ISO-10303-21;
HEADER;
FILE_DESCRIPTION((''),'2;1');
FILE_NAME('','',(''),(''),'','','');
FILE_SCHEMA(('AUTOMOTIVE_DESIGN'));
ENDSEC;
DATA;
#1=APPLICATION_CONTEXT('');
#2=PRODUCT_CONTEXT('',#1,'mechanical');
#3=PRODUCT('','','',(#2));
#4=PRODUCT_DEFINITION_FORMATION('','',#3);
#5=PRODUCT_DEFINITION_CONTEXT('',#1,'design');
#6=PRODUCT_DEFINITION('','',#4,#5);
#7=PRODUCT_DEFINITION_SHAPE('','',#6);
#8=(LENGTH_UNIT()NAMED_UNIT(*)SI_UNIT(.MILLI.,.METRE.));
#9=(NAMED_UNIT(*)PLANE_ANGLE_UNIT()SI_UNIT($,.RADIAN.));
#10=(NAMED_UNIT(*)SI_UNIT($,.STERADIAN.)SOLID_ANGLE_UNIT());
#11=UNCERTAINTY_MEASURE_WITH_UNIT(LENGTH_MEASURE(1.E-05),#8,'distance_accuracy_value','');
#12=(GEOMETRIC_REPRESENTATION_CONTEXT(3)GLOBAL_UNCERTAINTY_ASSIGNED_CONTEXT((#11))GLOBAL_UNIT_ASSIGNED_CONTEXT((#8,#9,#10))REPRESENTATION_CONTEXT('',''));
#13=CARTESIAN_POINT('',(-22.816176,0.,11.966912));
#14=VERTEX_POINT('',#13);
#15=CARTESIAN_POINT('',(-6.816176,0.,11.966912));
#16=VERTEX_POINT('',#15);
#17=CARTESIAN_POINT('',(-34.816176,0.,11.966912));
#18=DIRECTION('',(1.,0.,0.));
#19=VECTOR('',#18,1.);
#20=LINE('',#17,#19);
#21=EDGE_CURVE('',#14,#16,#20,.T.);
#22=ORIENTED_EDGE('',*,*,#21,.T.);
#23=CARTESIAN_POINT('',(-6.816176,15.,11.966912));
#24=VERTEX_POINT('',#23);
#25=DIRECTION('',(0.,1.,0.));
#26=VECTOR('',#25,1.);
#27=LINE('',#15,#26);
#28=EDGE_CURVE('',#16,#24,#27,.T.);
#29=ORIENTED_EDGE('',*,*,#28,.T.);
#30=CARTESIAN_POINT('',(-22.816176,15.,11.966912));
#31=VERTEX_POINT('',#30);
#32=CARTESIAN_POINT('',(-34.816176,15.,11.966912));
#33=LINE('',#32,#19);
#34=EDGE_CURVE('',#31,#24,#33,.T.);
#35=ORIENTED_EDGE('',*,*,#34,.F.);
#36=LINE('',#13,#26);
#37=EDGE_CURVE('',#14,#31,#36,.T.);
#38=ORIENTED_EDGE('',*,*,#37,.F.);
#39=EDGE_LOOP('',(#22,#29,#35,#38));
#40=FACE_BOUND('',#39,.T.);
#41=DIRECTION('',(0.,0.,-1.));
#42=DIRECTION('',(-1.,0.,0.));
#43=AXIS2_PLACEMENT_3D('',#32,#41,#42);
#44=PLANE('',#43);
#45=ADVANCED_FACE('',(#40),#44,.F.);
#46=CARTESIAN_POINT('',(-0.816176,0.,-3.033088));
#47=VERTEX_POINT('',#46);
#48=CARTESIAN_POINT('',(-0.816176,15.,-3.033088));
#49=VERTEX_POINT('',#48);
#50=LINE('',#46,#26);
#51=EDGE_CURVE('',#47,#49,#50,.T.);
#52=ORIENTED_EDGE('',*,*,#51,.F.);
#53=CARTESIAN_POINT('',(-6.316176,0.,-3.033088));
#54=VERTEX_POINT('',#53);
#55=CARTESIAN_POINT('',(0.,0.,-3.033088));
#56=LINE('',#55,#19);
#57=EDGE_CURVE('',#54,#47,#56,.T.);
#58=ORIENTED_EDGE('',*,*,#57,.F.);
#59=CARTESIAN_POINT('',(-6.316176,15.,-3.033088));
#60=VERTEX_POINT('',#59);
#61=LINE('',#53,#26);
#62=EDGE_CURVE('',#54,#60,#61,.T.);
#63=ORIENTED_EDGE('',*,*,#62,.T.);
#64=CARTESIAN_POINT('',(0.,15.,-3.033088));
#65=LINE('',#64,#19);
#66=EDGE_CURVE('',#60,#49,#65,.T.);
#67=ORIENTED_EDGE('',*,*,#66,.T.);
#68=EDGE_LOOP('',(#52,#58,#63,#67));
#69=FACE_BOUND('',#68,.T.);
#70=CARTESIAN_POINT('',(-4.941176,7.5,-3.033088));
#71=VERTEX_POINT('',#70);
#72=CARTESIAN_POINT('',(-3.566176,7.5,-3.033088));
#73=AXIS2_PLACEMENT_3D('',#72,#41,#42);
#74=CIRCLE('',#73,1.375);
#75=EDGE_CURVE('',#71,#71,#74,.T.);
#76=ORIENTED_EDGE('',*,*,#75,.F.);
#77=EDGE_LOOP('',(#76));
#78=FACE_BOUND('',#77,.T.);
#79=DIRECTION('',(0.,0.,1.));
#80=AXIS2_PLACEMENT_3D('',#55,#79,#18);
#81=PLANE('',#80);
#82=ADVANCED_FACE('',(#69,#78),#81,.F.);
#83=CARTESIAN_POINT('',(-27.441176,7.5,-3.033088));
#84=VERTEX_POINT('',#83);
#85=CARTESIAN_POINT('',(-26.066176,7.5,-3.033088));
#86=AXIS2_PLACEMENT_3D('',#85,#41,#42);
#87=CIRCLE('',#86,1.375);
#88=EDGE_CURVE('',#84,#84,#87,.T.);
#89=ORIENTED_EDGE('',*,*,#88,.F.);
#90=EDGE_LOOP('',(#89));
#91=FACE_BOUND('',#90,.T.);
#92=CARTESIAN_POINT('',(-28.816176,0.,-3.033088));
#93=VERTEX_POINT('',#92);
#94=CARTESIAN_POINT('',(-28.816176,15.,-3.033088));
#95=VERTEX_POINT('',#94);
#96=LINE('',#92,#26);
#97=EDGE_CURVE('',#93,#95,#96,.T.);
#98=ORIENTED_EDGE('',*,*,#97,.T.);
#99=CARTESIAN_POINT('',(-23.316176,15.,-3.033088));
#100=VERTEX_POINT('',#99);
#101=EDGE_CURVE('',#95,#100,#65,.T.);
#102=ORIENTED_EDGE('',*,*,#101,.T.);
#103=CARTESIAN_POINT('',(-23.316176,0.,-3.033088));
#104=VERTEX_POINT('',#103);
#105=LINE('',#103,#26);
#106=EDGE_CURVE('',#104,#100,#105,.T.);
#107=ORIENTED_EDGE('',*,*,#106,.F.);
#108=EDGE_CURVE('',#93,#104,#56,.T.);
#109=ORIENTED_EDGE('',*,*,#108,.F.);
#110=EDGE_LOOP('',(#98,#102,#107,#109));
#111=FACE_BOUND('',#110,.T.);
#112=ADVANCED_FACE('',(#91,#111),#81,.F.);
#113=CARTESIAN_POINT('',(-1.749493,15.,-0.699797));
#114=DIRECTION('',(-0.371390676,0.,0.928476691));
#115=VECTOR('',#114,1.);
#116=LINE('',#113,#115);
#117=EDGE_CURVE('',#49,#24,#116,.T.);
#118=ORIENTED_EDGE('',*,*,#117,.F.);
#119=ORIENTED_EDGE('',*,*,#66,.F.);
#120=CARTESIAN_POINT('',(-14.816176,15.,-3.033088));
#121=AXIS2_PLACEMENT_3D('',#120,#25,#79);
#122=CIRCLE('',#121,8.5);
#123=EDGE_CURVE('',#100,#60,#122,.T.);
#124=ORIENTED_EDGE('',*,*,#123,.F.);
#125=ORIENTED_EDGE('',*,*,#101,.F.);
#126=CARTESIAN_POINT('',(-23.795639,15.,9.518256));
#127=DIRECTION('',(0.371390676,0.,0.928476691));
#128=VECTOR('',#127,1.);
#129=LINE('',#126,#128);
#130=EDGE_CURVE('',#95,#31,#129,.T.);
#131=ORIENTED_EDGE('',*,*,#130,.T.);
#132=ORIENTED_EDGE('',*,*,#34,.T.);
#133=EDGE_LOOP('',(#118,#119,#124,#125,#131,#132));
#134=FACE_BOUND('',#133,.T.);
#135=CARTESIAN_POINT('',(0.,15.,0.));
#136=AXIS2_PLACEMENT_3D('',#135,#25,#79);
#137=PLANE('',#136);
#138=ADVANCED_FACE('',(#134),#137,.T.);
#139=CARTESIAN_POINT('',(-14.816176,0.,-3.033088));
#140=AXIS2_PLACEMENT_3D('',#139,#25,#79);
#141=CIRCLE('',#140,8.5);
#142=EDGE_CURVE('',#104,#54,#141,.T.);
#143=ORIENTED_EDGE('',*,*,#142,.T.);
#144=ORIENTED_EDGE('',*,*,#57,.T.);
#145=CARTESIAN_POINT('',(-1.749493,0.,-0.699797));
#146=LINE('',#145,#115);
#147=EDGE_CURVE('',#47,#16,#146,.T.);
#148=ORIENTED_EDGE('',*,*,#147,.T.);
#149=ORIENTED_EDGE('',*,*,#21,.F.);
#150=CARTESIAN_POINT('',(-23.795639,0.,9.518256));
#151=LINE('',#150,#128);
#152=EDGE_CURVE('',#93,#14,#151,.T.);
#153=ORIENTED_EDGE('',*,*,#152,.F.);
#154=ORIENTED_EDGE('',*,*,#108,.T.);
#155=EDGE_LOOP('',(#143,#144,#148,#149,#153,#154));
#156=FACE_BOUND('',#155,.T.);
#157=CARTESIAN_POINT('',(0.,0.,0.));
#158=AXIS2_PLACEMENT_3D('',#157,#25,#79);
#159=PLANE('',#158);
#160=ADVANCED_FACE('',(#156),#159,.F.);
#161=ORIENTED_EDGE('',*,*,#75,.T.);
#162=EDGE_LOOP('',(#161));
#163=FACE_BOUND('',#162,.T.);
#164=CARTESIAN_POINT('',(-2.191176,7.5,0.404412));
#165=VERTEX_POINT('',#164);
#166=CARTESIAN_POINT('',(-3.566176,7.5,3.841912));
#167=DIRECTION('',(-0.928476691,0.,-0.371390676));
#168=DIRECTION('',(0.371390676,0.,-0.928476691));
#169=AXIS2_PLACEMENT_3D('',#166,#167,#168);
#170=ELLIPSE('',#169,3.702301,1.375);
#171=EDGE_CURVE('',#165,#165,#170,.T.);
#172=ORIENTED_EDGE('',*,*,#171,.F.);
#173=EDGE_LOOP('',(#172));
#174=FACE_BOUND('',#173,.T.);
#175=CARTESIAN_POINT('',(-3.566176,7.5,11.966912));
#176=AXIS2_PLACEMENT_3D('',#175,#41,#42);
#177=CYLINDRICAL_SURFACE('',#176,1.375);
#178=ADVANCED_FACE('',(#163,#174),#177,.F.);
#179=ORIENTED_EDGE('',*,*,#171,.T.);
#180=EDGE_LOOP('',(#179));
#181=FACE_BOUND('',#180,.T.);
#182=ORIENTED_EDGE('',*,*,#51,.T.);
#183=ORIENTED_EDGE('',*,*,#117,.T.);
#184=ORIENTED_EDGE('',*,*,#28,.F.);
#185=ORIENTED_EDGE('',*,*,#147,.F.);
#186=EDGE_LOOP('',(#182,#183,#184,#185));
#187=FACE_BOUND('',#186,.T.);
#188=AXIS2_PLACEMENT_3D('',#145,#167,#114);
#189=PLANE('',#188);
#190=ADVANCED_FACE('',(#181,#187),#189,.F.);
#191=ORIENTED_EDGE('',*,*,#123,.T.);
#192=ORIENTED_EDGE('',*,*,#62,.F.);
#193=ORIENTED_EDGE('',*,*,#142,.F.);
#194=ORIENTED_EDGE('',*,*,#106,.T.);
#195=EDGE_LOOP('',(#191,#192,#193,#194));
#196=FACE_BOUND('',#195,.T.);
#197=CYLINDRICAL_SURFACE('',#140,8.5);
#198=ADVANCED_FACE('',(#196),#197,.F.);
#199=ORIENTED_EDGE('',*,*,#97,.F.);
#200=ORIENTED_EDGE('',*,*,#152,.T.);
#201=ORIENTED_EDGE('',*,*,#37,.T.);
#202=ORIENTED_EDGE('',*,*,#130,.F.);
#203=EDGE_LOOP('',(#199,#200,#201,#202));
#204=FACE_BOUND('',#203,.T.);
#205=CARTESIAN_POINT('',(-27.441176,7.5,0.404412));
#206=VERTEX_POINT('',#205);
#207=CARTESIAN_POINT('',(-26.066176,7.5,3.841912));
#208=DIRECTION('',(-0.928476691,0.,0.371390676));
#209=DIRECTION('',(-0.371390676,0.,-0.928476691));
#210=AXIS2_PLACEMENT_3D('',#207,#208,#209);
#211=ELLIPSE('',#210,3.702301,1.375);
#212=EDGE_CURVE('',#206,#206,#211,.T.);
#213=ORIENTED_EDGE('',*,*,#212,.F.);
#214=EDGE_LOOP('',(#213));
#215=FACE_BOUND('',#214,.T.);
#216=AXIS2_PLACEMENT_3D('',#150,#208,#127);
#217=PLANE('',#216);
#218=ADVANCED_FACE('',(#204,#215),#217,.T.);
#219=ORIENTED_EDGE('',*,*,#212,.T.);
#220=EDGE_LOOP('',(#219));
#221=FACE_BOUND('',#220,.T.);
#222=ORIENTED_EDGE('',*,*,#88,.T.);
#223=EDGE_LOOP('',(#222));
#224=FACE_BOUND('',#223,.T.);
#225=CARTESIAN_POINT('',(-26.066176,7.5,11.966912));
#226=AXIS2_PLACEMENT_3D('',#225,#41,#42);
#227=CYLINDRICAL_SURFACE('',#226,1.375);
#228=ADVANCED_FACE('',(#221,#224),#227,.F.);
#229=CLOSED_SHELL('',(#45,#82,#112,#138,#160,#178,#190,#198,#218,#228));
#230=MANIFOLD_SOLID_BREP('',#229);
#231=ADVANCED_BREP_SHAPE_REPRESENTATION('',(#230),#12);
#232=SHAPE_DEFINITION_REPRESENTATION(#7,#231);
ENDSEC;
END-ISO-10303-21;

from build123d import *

# Parameters (mm, degrees)
SKETCH1_W           = 40
SKETCH1_H           = 30
BOSS_EXTRUDE1_DEPTH = 15
CUT_EXTRUDE1_DEPTH  = 15
SKETCH3_R           = 1.375
CUT_EXTRUDE2_DEPTH  = 15


with BuildPart() as part:
    # Sketch1 → Boss-Extrude1 (new body)
    with BuildSketch(Plane(origin=(0, 0, 0), x_dir=(1, 0, 0), z_dir=(0, 1, 0))):
        with Locations((-14.816176471, 3.033088235)):
            Rectangle(SKETCH1_W, SKETCH1_H)
    extrude(amount=BOSS_EXTRUDE1_DEPTH)

    # Sketch2 → Cut-Extrude1 (cut)
    with BuildSketch(Plane(origin=(0, 15, 0), x_dir=(1, 0, 0), z_dir=(0, 1, 0))):
        Polygon((-28.816176471, 3.033088235), (-28.816176471, 18.033088235), (-34.816176471, 18.033088235), align=None)
        with BuildLine():
            Line((-0.816176471, 18.033088235), (-28.816176471, 18.033088235))
            Line((-28.816176471, 18.033088235), (-28.816176471, 3.033088235))
            Line((-28.816176471, 3.033088235), (-23.316176471, 3.033088235))
            ThreePointArc((-23.316176471, 3.033088235), (-14.816176471, 11.533088235), (-6.316176471, 3.033088235))
            Line((-6.316176471, 3.033088235), (-0.816176471, 3.033088235))
            Line((-0.816176471, 3.033088235), (-0.816176471, 18.033088235))
        make_face()
        Polygon((5.183823529, 18.033088235), (-0.816176471, 18.033088235), (-0.816176471, 3.033088235), align=None)
        Polygon((5.183823529, 18.033088235), (-0.816176471, 3.033088235), (-0.816176471, -11.966911765), (5.183823529, -11.966911765), align=None)
        Polygon((-0.816176471, -11.966911765), (-0.816176471, 3.033088235), (-6.816176471, -11.966911765), align=None)
        Polygon((-22.816176471, -11.966911765), (-28.816176471, 3.033088235), (-28.816176471, -11.966911765), align=None)
        Polygon((-28.816176471, -11.966911765), (-28.816176471, 3.033088235), (-34.816176471, 18.033088235), (-34.816176471, -11.966911765), align=None)
        with BuildLine():
            ThreePointArc((-6.316176471, 3.033088235), (-14.816176471, 11.533088235), (-23.316176471, 3.033088235))
            Line((-23.316176471, 3.033088235), (-6.316176471, 3.033088235))
        make_face()
        with BuildLine():
            Line((-6.316176471, 3.033088235), (-23.316176471, 3.033088235))
            ThreePointArc((-23.316176471, 3.033088235), (-14.816176471, -5.466911765), (-6.316176471, 3.033088235))
        make_face()
    extrude(amount=-CUT_EXTRUDE1_DEPTH, mode=Mode.SUBTRACT)

    # Sketch3 → Cut-Extrude2 (cut)
    with BuildSketch(Plane(origin=(0, 0, -3.033088235), x_dir=(-1, 0, 0), z_dir=(0, 0, -1))):
        with Locations((3.566176471, 7.5)):
            Circle(SKETCH3_R)
        with Locations((26.066176471, 7.5)):
            Circle(SKETCH3_R)
    extrude(amount=-CUT_EXTRUDE2_DEPTH, mode=Mode.SUBTRACT)


solid = part.part
